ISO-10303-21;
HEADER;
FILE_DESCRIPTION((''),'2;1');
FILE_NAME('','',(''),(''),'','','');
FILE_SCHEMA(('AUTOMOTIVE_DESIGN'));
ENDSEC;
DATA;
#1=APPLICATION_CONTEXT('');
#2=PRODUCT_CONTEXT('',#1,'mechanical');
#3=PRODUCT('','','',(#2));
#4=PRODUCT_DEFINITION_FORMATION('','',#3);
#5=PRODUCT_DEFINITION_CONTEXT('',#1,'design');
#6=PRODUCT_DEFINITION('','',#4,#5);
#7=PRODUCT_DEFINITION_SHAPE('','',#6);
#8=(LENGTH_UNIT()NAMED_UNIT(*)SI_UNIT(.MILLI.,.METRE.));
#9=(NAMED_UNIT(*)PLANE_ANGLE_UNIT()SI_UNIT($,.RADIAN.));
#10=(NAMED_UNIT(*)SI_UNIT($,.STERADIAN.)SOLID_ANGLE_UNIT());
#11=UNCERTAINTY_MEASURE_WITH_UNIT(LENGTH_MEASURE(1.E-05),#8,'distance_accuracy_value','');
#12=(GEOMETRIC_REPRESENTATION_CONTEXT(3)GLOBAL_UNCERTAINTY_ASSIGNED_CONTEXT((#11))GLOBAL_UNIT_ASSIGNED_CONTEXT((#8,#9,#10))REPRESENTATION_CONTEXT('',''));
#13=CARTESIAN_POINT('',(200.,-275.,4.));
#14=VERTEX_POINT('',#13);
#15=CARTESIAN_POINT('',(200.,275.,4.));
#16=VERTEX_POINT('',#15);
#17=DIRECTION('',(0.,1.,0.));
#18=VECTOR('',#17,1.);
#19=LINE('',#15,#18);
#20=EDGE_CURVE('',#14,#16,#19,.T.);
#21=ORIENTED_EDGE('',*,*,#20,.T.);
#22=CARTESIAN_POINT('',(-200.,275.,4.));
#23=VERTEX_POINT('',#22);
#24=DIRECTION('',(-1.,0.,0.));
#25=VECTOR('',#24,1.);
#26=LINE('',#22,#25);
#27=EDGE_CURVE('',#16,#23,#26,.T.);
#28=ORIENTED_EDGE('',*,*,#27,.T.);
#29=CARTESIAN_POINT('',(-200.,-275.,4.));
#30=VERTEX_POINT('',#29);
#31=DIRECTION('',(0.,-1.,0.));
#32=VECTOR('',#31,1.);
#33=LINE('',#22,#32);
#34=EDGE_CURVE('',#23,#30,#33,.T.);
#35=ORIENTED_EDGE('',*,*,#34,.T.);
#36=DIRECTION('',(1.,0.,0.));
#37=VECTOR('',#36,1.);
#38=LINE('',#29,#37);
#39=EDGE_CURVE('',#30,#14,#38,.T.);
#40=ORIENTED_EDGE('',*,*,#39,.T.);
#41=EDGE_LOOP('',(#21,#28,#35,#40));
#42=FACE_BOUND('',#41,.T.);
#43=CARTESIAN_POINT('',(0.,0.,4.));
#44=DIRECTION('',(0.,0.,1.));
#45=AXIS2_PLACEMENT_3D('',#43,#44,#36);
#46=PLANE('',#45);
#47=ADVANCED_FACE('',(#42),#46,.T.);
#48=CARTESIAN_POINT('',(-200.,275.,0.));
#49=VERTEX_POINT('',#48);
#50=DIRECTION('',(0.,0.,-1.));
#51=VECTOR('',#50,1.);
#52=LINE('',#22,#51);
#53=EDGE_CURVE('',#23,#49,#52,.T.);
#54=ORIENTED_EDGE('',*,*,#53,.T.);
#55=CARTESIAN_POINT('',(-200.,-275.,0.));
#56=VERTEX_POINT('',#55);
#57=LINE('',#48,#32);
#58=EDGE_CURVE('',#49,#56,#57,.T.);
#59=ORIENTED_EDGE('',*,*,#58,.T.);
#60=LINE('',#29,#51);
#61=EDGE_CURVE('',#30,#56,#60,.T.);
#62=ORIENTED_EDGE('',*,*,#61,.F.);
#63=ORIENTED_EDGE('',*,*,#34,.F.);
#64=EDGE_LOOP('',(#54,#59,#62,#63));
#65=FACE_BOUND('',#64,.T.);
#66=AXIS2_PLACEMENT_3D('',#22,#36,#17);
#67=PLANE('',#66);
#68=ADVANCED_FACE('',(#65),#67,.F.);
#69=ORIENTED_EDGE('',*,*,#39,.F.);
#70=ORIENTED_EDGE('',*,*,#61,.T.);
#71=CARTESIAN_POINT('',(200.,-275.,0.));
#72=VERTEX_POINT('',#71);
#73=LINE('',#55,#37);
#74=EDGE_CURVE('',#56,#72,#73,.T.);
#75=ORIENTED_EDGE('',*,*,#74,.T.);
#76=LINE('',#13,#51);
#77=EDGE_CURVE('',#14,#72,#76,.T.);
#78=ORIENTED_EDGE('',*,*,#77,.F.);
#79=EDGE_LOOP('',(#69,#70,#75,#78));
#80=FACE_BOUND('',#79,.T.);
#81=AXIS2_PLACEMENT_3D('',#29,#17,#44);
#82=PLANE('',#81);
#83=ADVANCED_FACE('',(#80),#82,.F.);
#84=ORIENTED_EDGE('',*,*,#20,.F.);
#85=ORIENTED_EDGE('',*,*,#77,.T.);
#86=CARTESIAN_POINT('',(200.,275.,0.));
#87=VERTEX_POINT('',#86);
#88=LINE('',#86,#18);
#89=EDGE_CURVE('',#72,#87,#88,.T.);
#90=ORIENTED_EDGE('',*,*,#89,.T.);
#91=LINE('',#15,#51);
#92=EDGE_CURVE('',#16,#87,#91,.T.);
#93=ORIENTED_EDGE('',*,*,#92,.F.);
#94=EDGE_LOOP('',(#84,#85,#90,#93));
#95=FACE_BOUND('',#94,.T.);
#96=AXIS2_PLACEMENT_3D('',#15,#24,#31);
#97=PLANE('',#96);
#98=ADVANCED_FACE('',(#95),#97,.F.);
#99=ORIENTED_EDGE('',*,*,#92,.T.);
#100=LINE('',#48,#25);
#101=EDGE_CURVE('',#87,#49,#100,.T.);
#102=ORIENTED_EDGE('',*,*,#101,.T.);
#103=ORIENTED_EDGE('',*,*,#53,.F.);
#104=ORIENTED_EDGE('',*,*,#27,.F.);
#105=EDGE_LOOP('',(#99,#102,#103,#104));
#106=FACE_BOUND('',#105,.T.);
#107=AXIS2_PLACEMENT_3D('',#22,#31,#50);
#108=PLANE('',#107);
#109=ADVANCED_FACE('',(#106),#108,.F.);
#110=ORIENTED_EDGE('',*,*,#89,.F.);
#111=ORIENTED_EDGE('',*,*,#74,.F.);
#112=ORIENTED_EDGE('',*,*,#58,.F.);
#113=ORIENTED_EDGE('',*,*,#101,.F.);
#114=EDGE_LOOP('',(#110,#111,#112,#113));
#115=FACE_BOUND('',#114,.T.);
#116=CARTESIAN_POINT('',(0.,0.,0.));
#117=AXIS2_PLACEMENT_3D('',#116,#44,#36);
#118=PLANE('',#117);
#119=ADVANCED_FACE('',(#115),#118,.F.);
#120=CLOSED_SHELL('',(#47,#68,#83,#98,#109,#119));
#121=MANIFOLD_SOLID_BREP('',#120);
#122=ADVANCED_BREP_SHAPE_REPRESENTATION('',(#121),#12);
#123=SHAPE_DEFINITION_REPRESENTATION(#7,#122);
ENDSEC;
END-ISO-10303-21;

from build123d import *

# Parameters (mm, degrees)
ESQUISSE1_W        = 400
ESQUISSE1_H        = 550
BOSS_EXTRU_1_DEPTH = 4


with BuildPart() as part:
    # Esquisse1 → Boss.-Extru.1 (new body)
    with BuildSketch(Plane.XY):
        Rectangle(ESQUISSE1_W, ESQUISSE1_H)
    extrude(amount=BOSS_EXTRU_1_DEPTH)


solid = part.part
